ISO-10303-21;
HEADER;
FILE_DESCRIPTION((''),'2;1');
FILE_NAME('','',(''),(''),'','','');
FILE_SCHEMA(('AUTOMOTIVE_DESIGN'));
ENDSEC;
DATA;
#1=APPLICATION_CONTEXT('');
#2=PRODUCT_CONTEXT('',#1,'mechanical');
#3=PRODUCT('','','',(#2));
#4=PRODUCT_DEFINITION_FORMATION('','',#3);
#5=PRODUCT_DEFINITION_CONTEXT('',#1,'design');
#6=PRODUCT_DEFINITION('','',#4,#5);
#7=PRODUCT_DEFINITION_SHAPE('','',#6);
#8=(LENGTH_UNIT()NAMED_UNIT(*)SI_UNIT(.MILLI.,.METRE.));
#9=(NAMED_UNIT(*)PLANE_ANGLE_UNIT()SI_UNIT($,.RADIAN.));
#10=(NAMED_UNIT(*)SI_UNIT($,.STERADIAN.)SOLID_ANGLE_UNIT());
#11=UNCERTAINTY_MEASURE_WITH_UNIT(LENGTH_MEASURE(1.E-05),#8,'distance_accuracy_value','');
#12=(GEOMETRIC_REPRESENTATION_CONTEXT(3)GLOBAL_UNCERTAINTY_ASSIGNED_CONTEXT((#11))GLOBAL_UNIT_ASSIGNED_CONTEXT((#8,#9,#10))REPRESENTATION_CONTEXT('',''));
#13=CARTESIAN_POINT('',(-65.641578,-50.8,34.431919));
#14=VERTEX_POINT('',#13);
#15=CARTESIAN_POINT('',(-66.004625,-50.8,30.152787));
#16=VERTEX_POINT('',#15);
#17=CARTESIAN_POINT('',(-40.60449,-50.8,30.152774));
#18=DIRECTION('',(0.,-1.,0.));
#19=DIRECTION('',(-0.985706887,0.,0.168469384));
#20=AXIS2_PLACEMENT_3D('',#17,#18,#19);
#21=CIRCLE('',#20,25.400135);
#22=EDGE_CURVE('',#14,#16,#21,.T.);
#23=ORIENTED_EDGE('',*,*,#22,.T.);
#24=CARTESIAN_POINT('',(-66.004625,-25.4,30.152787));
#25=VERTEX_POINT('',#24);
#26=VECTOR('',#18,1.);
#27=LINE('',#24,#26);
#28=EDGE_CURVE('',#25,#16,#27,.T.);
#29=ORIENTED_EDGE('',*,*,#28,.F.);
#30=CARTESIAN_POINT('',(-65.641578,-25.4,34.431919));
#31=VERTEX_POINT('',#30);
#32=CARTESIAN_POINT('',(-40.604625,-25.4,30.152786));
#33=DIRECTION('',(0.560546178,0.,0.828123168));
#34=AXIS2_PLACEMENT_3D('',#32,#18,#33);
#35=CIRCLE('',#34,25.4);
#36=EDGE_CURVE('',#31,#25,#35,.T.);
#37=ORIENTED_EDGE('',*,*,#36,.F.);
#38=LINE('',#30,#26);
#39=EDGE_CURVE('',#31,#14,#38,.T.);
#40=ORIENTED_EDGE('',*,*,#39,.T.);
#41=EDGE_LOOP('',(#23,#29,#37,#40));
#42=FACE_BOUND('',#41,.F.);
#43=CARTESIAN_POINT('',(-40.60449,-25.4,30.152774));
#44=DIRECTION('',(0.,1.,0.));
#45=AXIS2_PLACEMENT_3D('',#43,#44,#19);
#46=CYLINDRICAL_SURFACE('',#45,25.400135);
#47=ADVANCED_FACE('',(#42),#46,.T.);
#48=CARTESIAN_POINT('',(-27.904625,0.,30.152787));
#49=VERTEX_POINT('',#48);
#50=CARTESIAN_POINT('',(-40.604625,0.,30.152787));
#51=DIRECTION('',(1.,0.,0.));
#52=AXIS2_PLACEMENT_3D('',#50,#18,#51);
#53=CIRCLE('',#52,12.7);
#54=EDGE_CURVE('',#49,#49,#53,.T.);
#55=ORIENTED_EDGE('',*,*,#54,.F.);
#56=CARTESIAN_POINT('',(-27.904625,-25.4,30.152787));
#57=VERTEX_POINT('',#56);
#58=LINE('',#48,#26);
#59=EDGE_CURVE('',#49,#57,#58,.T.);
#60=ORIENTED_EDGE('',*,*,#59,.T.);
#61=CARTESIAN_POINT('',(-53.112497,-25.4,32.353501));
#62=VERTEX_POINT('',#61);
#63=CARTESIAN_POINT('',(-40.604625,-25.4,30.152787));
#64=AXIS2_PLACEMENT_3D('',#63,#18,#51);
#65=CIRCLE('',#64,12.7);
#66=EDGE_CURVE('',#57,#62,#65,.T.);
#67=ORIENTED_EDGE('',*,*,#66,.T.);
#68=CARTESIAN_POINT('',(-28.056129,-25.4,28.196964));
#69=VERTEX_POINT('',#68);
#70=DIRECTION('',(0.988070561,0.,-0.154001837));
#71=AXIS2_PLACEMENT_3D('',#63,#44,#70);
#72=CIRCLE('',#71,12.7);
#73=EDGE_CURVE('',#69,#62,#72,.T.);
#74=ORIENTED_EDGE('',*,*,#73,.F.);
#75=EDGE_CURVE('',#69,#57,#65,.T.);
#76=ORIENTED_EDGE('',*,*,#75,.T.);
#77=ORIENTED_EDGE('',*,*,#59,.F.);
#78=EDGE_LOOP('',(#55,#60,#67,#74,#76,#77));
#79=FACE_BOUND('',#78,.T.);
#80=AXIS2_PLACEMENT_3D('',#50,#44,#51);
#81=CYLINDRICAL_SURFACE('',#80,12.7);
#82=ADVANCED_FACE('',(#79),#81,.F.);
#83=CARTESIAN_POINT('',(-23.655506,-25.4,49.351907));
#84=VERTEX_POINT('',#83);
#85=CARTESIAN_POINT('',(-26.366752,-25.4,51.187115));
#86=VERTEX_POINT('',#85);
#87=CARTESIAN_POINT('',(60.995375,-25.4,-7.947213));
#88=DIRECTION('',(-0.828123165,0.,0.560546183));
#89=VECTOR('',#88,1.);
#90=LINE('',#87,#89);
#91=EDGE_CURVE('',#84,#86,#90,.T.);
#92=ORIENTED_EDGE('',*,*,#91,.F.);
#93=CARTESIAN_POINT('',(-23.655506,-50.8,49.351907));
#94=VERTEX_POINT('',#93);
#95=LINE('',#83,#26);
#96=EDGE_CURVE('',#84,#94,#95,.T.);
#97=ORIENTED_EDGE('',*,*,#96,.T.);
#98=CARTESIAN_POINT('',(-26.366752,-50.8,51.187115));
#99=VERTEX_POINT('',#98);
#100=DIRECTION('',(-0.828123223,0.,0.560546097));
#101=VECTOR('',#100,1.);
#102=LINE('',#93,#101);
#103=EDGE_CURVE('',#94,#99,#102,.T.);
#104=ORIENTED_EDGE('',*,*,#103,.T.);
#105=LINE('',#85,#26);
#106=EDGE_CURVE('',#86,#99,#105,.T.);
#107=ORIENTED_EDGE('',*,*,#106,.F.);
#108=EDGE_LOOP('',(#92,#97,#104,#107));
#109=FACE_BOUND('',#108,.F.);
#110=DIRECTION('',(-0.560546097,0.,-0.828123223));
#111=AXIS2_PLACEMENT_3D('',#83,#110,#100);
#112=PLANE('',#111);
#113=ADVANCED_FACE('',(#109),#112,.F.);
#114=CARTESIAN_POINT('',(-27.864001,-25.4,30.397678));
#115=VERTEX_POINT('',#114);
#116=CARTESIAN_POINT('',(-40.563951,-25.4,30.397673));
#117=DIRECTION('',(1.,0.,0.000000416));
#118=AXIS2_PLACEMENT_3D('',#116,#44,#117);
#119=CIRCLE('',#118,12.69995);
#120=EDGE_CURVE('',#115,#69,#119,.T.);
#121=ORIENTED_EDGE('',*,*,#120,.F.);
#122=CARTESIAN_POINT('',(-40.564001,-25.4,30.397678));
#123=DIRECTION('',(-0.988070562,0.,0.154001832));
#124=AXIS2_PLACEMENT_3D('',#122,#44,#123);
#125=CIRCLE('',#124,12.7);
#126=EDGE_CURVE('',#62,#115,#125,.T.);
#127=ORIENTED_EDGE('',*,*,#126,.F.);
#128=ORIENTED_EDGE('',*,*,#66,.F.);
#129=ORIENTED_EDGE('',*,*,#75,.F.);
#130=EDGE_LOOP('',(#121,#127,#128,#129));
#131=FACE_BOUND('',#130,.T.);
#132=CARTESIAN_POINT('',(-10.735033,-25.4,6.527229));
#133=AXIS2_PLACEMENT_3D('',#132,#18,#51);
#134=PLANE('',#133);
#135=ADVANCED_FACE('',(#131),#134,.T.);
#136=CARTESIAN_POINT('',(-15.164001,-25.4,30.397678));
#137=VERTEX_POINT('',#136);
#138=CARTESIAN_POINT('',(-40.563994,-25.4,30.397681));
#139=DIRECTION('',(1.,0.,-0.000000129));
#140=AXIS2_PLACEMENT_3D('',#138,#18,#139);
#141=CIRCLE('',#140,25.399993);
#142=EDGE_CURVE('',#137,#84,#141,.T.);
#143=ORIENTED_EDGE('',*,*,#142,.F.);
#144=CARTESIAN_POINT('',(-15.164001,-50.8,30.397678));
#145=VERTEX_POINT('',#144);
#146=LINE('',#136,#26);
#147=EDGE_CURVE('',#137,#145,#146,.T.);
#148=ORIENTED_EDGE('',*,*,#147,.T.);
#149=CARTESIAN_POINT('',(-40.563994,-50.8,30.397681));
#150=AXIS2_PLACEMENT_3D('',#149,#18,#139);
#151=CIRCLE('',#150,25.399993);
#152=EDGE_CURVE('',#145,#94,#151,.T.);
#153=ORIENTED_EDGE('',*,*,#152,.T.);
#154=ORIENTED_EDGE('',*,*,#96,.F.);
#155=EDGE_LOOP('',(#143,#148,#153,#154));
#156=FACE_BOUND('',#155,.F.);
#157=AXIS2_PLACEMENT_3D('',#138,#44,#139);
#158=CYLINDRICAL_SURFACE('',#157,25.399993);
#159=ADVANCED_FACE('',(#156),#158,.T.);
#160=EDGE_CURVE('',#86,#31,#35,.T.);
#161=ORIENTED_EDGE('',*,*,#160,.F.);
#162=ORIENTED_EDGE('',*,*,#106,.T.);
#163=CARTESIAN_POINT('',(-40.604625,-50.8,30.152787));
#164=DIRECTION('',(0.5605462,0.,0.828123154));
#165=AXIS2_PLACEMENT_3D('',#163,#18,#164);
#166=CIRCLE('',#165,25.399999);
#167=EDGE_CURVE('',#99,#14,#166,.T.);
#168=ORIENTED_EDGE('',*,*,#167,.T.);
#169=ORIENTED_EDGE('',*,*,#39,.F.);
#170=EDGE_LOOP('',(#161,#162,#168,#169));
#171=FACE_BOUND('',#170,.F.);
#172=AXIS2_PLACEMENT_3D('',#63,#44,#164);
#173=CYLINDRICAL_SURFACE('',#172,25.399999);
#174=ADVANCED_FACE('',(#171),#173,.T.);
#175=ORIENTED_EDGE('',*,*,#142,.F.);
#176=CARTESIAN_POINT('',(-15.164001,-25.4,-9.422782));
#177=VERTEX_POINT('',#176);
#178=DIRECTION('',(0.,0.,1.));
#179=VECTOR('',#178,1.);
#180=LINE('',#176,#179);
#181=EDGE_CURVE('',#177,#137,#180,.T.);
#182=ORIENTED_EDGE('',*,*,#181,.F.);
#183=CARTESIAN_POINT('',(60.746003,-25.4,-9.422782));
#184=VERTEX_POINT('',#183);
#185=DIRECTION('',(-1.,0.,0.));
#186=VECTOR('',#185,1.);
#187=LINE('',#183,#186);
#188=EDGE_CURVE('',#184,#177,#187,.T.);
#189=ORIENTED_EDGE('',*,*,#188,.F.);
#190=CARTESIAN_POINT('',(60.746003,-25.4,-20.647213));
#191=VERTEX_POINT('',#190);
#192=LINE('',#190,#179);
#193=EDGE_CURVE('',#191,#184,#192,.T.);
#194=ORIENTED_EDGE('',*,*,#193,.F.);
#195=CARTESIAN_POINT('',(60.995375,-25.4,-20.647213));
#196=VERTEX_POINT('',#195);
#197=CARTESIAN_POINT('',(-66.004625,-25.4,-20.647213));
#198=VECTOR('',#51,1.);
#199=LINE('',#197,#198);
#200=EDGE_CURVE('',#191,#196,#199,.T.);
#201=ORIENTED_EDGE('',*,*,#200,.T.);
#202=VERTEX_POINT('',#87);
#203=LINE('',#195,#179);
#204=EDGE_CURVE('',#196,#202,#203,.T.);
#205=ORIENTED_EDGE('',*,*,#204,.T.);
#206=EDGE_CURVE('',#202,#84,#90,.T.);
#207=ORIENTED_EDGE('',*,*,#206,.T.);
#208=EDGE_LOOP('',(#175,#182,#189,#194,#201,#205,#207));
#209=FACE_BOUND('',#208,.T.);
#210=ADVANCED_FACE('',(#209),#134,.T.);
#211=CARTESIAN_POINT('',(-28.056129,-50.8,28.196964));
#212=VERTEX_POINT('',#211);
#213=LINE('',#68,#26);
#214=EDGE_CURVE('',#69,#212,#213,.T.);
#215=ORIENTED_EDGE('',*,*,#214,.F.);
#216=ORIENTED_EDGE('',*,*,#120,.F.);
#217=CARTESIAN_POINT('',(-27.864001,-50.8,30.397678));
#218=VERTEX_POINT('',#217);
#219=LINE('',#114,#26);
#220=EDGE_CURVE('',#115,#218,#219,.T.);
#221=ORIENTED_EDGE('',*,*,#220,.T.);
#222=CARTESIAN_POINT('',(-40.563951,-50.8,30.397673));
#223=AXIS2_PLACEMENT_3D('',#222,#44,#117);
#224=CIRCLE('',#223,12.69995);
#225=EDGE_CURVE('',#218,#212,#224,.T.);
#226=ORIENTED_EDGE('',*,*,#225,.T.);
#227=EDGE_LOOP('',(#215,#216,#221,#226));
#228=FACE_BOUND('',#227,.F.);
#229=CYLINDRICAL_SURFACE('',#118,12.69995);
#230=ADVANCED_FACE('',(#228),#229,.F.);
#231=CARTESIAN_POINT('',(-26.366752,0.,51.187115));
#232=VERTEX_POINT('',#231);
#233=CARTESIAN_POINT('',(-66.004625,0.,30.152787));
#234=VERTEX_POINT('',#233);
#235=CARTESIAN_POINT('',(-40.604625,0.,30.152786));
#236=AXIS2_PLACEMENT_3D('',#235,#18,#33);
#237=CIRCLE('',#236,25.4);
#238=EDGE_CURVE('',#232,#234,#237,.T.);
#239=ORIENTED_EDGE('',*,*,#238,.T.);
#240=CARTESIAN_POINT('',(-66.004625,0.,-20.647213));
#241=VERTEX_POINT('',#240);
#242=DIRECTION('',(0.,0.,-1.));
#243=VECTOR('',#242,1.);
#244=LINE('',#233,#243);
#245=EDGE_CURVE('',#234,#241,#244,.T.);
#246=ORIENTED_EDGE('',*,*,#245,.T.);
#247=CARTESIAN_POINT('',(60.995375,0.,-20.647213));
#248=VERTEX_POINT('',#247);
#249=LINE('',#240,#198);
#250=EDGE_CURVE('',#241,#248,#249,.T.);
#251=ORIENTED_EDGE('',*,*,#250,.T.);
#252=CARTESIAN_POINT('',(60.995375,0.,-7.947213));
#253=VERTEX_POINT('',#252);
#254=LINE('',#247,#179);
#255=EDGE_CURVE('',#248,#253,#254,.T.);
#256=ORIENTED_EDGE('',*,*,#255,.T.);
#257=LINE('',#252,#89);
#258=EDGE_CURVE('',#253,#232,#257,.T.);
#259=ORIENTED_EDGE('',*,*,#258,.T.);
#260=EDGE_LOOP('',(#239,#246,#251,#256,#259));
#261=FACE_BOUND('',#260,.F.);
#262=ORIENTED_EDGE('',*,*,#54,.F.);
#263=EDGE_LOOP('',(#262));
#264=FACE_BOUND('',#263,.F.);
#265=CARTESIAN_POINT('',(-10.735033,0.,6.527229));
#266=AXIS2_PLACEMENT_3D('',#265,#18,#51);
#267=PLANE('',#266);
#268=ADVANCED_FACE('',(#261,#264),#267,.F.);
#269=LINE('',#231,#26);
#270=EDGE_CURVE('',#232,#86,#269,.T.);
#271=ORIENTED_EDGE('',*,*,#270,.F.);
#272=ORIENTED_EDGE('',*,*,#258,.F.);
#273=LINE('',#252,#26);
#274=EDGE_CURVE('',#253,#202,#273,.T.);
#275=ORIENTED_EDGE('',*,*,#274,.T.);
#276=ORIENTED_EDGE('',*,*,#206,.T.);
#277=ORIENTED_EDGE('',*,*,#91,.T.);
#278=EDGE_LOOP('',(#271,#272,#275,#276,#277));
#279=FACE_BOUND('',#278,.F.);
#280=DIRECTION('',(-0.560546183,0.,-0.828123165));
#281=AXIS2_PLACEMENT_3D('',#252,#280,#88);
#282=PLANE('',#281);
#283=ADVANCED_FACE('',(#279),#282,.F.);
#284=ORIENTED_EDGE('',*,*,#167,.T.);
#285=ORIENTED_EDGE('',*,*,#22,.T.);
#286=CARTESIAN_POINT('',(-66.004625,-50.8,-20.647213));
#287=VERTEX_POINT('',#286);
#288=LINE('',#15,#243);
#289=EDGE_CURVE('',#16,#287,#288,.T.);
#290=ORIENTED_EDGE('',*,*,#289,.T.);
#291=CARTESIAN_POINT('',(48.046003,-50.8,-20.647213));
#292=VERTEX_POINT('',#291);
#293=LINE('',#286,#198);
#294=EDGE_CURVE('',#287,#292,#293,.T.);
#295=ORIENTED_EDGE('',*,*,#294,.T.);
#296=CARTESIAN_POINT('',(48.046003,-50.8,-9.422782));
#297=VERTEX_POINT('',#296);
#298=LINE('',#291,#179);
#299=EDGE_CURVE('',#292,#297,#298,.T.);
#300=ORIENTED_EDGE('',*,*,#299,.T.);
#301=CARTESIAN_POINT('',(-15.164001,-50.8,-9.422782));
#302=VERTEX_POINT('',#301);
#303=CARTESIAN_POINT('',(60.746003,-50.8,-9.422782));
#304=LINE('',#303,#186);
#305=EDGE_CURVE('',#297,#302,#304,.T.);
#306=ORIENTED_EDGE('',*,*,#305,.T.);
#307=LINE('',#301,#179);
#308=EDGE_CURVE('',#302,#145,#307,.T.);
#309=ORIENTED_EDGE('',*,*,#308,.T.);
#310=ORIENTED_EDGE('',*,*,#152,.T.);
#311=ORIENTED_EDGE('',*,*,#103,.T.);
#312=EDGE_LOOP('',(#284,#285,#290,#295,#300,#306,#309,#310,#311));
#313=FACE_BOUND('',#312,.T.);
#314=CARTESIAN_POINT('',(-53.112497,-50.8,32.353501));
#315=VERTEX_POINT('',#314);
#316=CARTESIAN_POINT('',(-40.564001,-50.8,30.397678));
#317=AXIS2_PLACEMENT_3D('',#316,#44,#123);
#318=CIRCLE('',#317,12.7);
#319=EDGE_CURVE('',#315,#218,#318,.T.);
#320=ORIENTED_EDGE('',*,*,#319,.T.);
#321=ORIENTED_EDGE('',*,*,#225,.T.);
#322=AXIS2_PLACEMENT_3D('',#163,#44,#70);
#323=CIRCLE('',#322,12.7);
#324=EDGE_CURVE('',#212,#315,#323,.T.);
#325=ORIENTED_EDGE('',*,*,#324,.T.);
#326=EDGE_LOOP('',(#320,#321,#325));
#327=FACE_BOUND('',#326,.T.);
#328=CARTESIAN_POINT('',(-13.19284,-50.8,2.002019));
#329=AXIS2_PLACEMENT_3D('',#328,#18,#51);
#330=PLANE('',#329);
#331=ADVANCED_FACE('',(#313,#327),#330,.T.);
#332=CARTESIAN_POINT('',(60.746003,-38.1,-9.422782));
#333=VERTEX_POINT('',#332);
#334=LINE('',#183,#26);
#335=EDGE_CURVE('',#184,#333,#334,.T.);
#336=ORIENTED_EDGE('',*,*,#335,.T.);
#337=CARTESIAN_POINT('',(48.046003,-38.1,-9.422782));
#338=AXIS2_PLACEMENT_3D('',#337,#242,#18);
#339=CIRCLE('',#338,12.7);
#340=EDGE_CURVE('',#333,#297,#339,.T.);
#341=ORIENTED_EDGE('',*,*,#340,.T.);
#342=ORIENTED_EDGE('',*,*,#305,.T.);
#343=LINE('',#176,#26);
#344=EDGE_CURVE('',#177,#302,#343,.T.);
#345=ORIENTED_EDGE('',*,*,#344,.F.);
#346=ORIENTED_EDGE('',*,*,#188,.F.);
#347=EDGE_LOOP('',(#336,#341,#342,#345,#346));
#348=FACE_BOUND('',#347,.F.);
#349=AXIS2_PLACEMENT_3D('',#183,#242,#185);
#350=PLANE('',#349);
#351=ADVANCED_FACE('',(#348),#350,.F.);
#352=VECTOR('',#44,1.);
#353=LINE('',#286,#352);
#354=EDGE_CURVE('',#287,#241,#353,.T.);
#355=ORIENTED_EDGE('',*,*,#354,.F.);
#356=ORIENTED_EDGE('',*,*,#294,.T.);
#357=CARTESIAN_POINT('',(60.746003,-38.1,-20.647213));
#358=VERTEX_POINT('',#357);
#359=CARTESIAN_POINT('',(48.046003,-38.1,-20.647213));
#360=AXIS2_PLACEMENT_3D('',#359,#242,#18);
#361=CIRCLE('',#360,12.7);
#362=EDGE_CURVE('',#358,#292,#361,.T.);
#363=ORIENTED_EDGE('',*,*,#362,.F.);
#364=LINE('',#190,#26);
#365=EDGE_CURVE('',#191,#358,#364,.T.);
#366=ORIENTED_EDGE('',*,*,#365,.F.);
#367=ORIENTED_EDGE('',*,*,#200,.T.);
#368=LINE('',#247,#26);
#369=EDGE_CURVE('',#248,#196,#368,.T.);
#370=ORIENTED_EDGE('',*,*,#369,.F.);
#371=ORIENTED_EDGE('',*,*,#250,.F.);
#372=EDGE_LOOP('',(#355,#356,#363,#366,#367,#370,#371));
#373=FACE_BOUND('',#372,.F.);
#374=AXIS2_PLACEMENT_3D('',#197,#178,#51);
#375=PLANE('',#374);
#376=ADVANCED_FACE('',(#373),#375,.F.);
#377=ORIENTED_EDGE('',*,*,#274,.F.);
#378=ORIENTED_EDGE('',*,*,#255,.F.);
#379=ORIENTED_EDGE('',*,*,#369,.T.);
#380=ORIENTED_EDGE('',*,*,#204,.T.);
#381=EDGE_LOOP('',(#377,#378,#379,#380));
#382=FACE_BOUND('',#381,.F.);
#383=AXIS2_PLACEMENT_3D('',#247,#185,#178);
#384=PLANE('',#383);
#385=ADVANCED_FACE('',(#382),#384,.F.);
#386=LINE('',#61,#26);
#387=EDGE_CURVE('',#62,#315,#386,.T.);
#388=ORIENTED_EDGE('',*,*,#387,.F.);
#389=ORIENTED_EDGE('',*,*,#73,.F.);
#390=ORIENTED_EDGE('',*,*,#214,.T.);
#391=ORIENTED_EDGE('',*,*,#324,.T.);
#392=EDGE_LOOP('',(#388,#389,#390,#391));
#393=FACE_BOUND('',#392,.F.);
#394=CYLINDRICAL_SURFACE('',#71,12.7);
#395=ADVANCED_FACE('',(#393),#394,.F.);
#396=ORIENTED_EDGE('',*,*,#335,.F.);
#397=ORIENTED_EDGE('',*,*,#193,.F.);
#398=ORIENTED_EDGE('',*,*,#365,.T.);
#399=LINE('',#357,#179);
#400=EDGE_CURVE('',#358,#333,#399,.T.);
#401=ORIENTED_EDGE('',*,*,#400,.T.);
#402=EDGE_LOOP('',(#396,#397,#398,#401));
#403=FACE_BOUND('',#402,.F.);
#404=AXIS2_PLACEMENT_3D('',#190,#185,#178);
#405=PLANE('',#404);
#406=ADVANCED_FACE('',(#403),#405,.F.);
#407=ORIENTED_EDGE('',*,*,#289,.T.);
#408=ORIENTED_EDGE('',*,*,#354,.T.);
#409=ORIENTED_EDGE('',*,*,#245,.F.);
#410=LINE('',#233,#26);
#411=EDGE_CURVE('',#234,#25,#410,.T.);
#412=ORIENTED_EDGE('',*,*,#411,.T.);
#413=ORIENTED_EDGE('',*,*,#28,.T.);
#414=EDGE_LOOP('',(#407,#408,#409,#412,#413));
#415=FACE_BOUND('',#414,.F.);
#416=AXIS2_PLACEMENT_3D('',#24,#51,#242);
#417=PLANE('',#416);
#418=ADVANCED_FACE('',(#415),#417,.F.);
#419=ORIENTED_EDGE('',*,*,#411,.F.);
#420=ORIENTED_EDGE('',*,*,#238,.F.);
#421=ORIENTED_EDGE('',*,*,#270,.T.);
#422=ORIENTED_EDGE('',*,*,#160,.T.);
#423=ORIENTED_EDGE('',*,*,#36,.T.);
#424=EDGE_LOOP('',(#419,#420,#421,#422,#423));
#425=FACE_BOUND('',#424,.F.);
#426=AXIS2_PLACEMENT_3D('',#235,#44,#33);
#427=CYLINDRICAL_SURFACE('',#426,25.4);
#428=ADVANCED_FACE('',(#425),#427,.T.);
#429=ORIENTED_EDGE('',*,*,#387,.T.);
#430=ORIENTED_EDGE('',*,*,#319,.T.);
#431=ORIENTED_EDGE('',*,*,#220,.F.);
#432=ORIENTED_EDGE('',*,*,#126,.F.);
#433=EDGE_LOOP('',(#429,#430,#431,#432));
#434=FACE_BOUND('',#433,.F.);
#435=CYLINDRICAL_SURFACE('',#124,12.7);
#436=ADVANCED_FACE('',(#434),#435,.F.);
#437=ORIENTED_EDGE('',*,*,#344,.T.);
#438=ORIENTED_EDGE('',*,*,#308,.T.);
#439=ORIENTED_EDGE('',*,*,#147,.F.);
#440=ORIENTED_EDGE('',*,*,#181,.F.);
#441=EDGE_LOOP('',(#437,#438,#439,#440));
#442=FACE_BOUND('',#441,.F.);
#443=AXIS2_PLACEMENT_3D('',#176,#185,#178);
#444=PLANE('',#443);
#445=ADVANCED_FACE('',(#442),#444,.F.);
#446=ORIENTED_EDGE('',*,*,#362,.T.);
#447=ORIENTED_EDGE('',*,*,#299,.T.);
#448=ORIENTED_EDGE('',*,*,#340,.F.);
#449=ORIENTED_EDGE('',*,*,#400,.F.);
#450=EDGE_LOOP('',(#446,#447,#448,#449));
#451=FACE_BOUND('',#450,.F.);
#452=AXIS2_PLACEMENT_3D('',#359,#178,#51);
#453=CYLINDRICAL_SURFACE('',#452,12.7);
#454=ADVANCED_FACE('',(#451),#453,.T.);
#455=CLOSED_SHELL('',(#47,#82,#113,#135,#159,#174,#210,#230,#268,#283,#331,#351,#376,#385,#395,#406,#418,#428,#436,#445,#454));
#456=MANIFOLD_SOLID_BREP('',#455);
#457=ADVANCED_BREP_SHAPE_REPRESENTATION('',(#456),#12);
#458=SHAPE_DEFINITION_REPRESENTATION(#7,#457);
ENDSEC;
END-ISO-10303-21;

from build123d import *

# Parameters (mm, degrees)
F0_R     = 12.7
F1_DEPTH = 25.4
F3_DEPTH = 25.4
F4_R     = 12.7


with BuildPart() as f1:
    # F0 (on Front) → F1 (new body)
    with BuildSketch(Plane.XZ):
        with BuildLine():
            Line((60.995375, -7.947213), (-26.366752, 51.187115))
            ThreePointArc((-26.366752, 51.187115), (-52.510884, 52.589386), (-66.004625, 30.152787))
            Line((-66.004625, 30.152787), (-66.004625, -20.647213))
            Line((-66.004625, -20.647213), (60.995375, -20.647213))
            Line((60.995375, -20.647213), (60.995375, -7.947213))
        make_face()
        with Locations((-40.604625, 30.152787)):
            Circle(F0_R, mode=Mode.SUBTRACT)
    extrude(amount=F1_DEPTH)

    # F2 (on face) → F3 (join)
    with BuildSketch(Plane.XZ.offset(25.4)):
        with BuildLine():
            Line((60.746003, -20.647213), (60.746003, -9.422782))
            Line((60.746003, -9.422782), (-15.164001, -9.422782))
            Line((-15.164001, -9.422782), (-15.164001, 30.397678))
            ThreePointArc((-15.164001, 30.397678), (-17.383882, 40.782384), (-23.655506, 49.351907))
            Line((-23.655506, 49.351907), (-26.366752, 51.187115))
            ThreePointArc((-26.366752, 51.187115), (-50.57153, 53.515595), (-65.641578, 34.431919))
            ThreePointArc((-65.641578, 34.431919), (-65.9137, 32.300039), (-66.004625, 30.152787))
            Line((-66.004625, 30.152787), (-66.004625, -20.647213))
            Line((-66.004625, -20.647213), (-65.891497, -20.647213))
            Line((-65.891497, -20.647213), (60.746003, -20.647213))
        make_face()
        with BuildLine():
            ThreePointArc((-53.112497, 32.353501), (-39.583159, 43.059745), (-27.864001, 30.397678))
            ThreePointArc((-27.864001, 30.397678), (-27.912124, 29.293135), (-28.056129, 28.196964))
            ThreePointArc((-28.056129, 28.196964), (-42.682993, 17.624005), (-53.112497, 32.353501))
        make_face(mode=Mode.SUBTRACT)
    extrude(amount=F3_DEPTH)

    # F4
    f4_edges = [f1.edges().sort_by_distance(p)[0] for p in [
        (60.746003, -50.8, -15.034997),
    ]]
    fillet(f4_edges, radius=F4_R)


solid = f1.part
